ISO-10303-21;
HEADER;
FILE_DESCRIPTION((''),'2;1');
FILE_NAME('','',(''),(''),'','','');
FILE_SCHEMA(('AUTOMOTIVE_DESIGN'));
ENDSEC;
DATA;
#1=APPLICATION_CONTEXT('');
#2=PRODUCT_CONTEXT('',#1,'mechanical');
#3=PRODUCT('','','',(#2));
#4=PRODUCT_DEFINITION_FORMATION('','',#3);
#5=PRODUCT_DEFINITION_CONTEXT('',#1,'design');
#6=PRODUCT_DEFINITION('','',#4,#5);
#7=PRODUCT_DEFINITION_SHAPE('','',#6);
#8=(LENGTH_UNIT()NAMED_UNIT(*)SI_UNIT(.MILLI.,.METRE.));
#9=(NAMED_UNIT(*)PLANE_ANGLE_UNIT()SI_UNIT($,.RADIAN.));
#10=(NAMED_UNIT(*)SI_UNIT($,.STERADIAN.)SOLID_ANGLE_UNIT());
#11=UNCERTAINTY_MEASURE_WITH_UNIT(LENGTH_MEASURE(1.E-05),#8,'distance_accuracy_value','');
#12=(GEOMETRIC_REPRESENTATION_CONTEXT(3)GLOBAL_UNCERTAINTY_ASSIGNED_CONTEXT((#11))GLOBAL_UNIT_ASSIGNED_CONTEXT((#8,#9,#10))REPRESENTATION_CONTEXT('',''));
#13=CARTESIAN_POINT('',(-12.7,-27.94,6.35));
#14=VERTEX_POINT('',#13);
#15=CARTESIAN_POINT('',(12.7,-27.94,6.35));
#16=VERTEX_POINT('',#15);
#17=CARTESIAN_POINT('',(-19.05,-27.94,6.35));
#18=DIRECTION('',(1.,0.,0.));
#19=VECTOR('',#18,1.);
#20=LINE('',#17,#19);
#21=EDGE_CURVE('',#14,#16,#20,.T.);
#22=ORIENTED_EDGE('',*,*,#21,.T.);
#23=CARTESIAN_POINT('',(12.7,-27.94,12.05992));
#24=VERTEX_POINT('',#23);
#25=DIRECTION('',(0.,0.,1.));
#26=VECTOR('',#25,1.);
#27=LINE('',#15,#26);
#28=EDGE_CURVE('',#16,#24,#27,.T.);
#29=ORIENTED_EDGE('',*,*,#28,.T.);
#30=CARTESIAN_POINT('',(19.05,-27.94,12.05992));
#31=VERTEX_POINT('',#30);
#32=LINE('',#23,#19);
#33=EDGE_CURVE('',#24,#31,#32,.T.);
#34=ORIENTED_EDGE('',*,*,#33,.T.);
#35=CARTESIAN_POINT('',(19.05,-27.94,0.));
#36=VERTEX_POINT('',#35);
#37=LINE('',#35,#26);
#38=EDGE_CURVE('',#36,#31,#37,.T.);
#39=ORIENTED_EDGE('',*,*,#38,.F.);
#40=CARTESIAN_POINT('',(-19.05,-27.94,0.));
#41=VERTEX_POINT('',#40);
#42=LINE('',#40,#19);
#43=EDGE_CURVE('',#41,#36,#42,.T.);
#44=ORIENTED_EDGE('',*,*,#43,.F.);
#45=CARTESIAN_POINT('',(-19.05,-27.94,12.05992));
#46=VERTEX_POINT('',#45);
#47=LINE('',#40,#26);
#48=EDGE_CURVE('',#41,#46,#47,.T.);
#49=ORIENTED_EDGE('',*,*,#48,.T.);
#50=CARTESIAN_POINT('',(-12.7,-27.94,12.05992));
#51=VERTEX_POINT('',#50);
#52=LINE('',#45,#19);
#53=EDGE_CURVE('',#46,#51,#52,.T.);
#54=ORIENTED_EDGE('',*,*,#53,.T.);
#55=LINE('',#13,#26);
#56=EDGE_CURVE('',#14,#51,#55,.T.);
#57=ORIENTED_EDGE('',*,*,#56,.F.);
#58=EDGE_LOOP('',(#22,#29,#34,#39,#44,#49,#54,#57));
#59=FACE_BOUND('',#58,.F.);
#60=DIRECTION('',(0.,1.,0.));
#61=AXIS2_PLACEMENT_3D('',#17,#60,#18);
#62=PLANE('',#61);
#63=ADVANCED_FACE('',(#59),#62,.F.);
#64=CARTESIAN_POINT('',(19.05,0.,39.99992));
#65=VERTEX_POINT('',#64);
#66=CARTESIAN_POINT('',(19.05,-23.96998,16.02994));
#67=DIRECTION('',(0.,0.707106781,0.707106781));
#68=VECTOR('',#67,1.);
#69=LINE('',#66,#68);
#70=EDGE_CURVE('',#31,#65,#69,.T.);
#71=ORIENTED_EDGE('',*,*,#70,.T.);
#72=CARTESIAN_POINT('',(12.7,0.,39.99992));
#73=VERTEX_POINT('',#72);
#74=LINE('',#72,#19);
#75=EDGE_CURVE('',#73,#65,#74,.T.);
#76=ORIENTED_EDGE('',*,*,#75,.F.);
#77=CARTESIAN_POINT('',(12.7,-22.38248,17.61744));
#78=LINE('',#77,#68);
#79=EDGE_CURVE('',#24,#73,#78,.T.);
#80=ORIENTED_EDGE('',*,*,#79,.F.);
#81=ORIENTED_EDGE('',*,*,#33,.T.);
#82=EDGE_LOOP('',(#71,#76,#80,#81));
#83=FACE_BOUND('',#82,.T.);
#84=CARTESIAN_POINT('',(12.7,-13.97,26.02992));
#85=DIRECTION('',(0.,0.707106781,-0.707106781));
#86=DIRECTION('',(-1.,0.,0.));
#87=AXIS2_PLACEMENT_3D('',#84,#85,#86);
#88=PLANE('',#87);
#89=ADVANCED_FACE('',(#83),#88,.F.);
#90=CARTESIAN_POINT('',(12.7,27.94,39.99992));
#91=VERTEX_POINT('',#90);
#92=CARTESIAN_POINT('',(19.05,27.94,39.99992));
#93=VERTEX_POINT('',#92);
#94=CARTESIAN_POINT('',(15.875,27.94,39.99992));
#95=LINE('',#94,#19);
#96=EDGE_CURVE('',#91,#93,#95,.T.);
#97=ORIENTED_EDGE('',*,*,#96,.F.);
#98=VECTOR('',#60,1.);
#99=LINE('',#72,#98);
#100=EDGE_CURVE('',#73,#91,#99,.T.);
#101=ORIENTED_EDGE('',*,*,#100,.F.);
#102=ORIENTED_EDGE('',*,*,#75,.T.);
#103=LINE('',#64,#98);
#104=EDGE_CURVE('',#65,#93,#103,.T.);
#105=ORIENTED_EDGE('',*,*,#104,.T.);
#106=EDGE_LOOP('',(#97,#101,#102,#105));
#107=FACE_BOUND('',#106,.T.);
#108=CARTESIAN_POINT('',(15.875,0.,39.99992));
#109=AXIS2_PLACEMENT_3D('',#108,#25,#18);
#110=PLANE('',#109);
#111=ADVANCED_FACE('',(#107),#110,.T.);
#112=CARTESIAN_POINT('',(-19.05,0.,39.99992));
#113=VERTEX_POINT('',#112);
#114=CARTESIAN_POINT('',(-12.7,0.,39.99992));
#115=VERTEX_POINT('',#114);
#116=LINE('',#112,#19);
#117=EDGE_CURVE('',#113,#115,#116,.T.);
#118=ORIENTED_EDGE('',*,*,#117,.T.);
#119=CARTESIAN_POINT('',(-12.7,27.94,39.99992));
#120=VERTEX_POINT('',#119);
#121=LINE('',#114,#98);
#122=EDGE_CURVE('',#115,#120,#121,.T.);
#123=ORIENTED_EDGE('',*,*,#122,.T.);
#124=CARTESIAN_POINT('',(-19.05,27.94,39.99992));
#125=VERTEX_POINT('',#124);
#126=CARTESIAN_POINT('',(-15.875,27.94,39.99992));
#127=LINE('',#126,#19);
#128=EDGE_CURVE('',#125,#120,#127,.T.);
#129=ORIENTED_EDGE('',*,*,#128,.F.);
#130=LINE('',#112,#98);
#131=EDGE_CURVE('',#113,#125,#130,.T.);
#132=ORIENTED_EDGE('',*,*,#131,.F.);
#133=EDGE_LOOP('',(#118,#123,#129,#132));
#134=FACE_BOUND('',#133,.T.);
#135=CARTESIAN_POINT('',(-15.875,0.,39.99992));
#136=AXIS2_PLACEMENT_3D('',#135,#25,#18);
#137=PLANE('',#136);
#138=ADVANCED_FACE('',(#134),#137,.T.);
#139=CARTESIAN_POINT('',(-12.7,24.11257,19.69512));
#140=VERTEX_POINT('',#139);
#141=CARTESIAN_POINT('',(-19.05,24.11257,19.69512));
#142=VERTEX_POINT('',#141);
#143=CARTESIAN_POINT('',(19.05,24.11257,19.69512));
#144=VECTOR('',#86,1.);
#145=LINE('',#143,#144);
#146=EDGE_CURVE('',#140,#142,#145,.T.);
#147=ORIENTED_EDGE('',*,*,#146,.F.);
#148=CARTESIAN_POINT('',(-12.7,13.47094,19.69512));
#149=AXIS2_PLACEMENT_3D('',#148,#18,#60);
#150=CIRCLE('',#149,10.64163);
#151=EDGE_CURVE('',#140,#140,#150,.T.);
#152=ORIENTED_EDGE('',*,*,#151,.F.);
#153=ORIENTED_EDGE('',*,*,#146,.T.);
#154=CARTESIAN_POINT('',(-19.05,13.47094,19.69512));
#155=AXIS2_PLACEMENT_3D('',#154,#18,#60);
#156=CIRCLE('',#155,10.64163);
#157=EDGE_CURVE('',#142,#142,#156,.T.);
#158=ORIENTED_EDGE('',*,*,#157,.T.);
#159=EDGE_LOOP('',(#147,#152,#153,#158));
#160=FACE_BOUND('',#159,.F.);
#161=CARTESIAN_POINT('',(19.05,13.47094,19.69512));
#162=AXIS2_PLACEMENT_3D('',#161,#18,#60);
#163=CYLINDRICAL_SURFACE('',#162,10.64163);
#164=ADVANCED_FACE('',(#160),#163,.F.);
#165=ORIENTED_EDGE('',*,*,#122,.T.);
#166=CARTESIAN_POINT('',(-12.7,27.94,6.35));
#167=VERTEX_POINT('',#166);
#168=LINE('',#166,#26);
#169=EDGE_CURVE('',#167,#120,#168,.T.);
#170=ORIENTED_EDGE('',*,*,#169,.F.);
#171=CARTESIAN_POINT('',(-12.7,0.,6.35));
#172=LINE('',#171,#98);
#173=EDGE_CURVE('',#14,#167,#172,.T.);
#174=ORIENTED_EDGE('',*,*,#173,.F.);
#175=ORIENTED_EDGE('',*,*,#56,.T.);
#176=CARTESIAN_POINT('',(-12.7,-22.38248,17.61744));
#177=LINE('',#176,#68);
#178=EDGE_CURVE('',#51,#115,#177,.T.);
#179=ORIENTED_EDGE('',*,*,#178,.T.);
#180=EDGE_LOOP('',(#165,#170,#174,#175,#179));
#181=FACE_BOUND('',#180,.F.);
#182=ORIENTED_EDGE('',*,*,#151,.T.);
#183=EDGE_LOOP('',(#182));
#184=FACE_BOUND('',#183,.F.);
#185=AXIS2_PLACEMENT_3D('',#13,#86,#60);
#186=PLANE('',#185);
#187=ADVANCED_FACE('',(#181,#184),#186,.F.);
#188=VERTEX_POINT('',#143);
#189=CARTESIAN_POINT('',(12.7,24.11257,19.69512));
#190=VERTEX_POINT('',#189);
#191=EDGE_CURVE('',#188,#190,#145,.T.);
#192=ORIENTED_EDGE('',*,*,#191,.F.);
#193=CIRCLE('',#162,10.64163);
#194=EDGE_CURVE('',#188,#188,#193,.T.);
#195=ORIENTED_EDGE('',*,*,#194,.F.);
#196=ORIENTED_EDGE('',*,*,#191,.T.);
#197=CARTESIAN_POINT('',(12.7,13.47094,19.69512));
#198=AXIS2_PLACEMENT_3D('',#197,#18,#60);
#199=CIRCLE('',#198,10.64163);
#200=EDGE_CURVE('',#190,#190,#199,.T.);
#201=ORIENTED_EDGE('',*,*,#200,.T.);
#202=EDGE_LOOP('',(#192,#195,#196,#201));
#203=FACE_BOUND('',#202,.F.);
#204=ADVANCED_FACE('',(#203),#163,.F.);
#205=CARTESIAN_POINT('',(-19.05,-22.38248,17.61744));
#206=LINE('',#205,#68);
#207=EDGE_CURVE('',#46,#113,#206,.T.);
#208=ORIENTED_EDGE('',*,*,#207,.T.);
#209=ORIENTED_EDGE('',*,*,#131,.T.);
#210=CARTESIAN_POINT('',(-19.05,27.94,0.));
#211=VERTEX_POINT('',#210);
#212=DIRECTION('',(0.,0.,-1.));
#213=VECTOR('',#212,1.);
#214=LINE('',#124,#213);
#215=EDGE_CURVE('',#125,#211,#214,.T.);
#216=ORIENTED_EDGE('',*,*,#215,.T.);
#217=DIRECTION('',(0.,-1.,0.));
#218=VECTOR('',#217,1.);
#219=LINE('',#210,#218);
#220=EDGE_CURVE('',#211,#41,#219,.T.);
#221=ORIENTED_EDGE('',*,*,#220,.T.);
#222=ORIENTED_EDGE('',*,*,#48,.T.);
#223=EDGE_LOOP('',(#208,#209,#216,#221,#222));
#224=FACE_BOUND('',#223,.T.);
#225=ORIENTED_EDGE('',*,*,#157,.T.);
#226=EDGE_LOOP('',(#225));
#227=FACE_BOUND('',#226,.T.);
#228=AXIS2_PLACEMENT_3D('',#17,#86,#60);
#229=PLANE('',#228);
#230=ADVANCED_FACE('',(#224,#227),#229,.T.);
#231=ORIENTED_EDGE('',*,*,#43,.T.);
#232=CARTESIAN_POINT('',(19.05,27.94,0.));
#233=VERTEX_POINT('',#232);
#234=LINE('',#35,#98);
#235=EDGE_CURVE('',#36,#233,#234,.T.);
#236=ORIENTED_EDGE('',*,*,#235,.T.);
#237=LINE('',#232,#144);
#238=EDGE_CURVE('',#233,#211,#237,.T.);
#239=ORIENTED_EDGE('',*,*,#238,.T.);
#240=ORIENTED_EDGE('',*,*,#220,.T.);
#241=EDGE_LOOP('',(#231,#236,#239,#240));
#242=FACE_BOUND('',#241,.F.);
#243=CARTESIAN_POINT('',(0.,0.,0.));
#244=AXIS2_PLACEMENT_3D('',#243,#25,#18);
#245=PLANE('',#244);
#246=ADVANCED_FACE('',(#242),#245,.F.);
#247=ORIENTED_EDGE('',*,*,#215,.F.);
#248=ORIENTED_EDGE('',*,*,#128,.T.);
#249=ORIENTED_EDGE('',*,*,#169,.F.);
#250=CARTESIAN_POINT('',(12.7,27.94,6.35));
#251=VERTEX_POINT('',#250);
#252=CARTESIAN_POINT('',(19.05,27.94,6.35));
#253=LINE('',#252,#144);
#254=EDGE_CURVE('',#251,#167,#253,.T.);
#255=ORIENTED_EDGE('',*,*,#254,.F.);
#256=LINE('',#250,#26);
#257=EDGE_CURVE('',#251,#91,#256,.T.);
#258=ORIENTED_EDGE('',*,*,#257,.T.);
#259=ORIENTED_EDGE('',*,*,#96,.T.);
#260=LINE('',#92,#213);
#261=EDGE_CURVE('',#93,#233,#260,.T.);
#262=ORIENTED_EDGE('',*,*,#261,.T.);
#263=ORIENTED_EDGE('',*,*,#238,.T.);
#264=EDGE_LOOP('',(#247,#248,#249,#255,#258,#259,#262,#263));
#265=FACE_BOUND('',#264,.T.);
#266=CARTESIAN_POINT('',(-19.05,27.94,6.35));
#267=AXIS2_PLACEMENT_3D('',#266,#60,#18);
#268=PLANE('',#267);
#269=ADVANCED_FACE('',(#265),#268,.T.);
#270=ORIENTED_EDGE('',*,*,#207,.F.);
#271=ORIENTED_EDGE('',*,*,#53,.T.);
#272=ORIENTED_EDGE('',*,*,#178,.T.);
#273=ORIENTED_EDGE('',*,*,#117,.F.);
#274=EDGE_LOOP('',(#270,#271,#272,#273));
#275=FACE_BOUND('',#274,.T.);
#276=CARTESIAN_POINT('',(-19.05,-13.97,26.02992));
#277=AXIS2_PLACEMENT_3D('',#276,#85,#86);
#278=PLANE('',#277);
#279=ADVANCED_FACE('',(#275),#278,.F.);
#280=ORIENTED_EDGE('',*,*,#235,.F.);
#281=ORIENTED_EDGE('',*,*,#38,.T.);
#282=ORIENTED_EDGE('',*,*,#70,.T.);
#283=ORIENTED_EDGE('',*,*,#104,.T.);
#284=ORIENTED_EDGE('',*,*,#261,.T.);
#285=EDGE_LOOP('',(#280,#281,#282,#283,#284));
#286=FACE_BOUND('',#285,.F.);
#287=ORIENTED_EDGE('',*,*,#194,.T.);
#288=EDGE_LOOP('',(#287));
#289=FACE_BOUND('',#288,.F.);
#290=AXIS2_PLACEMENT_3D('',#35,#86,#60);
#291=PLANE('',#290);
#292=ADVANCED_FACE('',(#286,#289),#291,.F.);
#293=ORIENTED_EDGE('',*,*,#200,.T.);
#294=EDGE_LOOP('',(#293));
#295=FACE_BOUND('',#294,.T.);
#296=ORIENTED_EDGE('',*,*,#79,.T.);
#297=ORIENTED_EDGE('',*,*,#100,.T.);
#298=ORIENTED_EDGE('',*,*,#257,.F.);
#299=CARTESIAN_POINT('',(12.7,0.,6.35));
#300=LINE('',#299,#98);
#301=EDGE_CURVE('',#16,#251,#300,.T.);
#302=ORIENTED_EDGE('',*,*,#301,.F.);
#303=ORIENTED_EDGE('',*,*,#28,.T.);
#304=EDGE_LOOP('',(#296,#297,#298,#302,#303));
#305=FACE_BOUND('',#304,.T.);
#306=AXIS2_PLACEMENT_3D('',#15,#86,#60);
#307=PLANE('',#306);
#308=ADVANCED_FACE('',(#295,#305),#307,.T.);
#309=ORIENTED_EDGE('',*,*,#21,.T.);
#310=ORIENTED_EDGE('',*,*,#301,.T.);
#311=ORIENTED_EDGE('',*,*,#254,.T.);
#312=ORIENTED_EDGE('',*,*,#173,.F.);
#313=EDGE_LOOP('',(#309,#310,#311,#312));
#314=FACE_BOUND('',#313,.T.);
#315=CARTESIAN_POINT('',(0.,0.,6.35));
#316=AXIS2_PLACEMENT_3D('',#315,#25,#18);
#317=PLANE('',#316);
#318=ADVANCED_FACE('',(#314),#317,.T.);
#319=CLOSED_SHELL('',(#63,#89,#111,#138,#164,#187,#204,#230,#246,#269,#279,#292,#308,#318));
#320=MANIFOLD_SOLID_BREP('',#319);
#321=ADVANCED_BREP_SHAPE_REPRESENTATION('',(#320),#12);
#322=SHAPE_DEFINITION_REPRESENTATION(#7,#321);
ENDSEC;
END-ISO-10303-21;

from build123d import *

# Parameters (mm, degrees)
F1_DEPTH = 6.35
F2_W     = 6.35
F2_H     = 55.88
F3_DEPTH = 33.64992
F4_SIZE  = 27.94
F5_R     = 10.64163
F6_DEPTH = 38.101


with BuildPart() as f1:
    # F0 (on Top) → F1 (new body)
    with BuildSketch(Plane.XY):
        Polygon((19.05, 27.94), (0, 27.94), (-19.05, 27.94), (-19.05, 0), (-19.05, -27.94), (0, -27.94), (19.05, -27.94), (19.05, 0), align=None)
    extrude(amount=F1_DEPTH)

    # F2 (on face) → F3 (join)
    with BuildSketch(Plane.XY.offset(6.35)):
        with Locations((-15.875, 0)):
            Rectangle(F2_W, F2_H)
        with Locations((15.875, 0)):
            Rectangle(F2_W, F2_H)
    extrude(amount=F3_DEPTH)

    # F4
    f4_edges = [f1.edges().sort_by_distance(p)[0] for p in [
        (15.875, -27.94, 39.99992),
        (-15.875, -27.94, 39.99992),
    ]]
    chamfer(f4_edges, length=F4_SIZE)

    # F5 (on face) → F6 (cut, through all)
    with BuildSketch(Plane.YZ.offset(19.05)):
        with Locations((13.47094, 19.69512)):
            Circle(F5_R)
    extrude(amount=-F6_DEPTH, mode=Mode.SUBTRACT)


solid = f1.part
